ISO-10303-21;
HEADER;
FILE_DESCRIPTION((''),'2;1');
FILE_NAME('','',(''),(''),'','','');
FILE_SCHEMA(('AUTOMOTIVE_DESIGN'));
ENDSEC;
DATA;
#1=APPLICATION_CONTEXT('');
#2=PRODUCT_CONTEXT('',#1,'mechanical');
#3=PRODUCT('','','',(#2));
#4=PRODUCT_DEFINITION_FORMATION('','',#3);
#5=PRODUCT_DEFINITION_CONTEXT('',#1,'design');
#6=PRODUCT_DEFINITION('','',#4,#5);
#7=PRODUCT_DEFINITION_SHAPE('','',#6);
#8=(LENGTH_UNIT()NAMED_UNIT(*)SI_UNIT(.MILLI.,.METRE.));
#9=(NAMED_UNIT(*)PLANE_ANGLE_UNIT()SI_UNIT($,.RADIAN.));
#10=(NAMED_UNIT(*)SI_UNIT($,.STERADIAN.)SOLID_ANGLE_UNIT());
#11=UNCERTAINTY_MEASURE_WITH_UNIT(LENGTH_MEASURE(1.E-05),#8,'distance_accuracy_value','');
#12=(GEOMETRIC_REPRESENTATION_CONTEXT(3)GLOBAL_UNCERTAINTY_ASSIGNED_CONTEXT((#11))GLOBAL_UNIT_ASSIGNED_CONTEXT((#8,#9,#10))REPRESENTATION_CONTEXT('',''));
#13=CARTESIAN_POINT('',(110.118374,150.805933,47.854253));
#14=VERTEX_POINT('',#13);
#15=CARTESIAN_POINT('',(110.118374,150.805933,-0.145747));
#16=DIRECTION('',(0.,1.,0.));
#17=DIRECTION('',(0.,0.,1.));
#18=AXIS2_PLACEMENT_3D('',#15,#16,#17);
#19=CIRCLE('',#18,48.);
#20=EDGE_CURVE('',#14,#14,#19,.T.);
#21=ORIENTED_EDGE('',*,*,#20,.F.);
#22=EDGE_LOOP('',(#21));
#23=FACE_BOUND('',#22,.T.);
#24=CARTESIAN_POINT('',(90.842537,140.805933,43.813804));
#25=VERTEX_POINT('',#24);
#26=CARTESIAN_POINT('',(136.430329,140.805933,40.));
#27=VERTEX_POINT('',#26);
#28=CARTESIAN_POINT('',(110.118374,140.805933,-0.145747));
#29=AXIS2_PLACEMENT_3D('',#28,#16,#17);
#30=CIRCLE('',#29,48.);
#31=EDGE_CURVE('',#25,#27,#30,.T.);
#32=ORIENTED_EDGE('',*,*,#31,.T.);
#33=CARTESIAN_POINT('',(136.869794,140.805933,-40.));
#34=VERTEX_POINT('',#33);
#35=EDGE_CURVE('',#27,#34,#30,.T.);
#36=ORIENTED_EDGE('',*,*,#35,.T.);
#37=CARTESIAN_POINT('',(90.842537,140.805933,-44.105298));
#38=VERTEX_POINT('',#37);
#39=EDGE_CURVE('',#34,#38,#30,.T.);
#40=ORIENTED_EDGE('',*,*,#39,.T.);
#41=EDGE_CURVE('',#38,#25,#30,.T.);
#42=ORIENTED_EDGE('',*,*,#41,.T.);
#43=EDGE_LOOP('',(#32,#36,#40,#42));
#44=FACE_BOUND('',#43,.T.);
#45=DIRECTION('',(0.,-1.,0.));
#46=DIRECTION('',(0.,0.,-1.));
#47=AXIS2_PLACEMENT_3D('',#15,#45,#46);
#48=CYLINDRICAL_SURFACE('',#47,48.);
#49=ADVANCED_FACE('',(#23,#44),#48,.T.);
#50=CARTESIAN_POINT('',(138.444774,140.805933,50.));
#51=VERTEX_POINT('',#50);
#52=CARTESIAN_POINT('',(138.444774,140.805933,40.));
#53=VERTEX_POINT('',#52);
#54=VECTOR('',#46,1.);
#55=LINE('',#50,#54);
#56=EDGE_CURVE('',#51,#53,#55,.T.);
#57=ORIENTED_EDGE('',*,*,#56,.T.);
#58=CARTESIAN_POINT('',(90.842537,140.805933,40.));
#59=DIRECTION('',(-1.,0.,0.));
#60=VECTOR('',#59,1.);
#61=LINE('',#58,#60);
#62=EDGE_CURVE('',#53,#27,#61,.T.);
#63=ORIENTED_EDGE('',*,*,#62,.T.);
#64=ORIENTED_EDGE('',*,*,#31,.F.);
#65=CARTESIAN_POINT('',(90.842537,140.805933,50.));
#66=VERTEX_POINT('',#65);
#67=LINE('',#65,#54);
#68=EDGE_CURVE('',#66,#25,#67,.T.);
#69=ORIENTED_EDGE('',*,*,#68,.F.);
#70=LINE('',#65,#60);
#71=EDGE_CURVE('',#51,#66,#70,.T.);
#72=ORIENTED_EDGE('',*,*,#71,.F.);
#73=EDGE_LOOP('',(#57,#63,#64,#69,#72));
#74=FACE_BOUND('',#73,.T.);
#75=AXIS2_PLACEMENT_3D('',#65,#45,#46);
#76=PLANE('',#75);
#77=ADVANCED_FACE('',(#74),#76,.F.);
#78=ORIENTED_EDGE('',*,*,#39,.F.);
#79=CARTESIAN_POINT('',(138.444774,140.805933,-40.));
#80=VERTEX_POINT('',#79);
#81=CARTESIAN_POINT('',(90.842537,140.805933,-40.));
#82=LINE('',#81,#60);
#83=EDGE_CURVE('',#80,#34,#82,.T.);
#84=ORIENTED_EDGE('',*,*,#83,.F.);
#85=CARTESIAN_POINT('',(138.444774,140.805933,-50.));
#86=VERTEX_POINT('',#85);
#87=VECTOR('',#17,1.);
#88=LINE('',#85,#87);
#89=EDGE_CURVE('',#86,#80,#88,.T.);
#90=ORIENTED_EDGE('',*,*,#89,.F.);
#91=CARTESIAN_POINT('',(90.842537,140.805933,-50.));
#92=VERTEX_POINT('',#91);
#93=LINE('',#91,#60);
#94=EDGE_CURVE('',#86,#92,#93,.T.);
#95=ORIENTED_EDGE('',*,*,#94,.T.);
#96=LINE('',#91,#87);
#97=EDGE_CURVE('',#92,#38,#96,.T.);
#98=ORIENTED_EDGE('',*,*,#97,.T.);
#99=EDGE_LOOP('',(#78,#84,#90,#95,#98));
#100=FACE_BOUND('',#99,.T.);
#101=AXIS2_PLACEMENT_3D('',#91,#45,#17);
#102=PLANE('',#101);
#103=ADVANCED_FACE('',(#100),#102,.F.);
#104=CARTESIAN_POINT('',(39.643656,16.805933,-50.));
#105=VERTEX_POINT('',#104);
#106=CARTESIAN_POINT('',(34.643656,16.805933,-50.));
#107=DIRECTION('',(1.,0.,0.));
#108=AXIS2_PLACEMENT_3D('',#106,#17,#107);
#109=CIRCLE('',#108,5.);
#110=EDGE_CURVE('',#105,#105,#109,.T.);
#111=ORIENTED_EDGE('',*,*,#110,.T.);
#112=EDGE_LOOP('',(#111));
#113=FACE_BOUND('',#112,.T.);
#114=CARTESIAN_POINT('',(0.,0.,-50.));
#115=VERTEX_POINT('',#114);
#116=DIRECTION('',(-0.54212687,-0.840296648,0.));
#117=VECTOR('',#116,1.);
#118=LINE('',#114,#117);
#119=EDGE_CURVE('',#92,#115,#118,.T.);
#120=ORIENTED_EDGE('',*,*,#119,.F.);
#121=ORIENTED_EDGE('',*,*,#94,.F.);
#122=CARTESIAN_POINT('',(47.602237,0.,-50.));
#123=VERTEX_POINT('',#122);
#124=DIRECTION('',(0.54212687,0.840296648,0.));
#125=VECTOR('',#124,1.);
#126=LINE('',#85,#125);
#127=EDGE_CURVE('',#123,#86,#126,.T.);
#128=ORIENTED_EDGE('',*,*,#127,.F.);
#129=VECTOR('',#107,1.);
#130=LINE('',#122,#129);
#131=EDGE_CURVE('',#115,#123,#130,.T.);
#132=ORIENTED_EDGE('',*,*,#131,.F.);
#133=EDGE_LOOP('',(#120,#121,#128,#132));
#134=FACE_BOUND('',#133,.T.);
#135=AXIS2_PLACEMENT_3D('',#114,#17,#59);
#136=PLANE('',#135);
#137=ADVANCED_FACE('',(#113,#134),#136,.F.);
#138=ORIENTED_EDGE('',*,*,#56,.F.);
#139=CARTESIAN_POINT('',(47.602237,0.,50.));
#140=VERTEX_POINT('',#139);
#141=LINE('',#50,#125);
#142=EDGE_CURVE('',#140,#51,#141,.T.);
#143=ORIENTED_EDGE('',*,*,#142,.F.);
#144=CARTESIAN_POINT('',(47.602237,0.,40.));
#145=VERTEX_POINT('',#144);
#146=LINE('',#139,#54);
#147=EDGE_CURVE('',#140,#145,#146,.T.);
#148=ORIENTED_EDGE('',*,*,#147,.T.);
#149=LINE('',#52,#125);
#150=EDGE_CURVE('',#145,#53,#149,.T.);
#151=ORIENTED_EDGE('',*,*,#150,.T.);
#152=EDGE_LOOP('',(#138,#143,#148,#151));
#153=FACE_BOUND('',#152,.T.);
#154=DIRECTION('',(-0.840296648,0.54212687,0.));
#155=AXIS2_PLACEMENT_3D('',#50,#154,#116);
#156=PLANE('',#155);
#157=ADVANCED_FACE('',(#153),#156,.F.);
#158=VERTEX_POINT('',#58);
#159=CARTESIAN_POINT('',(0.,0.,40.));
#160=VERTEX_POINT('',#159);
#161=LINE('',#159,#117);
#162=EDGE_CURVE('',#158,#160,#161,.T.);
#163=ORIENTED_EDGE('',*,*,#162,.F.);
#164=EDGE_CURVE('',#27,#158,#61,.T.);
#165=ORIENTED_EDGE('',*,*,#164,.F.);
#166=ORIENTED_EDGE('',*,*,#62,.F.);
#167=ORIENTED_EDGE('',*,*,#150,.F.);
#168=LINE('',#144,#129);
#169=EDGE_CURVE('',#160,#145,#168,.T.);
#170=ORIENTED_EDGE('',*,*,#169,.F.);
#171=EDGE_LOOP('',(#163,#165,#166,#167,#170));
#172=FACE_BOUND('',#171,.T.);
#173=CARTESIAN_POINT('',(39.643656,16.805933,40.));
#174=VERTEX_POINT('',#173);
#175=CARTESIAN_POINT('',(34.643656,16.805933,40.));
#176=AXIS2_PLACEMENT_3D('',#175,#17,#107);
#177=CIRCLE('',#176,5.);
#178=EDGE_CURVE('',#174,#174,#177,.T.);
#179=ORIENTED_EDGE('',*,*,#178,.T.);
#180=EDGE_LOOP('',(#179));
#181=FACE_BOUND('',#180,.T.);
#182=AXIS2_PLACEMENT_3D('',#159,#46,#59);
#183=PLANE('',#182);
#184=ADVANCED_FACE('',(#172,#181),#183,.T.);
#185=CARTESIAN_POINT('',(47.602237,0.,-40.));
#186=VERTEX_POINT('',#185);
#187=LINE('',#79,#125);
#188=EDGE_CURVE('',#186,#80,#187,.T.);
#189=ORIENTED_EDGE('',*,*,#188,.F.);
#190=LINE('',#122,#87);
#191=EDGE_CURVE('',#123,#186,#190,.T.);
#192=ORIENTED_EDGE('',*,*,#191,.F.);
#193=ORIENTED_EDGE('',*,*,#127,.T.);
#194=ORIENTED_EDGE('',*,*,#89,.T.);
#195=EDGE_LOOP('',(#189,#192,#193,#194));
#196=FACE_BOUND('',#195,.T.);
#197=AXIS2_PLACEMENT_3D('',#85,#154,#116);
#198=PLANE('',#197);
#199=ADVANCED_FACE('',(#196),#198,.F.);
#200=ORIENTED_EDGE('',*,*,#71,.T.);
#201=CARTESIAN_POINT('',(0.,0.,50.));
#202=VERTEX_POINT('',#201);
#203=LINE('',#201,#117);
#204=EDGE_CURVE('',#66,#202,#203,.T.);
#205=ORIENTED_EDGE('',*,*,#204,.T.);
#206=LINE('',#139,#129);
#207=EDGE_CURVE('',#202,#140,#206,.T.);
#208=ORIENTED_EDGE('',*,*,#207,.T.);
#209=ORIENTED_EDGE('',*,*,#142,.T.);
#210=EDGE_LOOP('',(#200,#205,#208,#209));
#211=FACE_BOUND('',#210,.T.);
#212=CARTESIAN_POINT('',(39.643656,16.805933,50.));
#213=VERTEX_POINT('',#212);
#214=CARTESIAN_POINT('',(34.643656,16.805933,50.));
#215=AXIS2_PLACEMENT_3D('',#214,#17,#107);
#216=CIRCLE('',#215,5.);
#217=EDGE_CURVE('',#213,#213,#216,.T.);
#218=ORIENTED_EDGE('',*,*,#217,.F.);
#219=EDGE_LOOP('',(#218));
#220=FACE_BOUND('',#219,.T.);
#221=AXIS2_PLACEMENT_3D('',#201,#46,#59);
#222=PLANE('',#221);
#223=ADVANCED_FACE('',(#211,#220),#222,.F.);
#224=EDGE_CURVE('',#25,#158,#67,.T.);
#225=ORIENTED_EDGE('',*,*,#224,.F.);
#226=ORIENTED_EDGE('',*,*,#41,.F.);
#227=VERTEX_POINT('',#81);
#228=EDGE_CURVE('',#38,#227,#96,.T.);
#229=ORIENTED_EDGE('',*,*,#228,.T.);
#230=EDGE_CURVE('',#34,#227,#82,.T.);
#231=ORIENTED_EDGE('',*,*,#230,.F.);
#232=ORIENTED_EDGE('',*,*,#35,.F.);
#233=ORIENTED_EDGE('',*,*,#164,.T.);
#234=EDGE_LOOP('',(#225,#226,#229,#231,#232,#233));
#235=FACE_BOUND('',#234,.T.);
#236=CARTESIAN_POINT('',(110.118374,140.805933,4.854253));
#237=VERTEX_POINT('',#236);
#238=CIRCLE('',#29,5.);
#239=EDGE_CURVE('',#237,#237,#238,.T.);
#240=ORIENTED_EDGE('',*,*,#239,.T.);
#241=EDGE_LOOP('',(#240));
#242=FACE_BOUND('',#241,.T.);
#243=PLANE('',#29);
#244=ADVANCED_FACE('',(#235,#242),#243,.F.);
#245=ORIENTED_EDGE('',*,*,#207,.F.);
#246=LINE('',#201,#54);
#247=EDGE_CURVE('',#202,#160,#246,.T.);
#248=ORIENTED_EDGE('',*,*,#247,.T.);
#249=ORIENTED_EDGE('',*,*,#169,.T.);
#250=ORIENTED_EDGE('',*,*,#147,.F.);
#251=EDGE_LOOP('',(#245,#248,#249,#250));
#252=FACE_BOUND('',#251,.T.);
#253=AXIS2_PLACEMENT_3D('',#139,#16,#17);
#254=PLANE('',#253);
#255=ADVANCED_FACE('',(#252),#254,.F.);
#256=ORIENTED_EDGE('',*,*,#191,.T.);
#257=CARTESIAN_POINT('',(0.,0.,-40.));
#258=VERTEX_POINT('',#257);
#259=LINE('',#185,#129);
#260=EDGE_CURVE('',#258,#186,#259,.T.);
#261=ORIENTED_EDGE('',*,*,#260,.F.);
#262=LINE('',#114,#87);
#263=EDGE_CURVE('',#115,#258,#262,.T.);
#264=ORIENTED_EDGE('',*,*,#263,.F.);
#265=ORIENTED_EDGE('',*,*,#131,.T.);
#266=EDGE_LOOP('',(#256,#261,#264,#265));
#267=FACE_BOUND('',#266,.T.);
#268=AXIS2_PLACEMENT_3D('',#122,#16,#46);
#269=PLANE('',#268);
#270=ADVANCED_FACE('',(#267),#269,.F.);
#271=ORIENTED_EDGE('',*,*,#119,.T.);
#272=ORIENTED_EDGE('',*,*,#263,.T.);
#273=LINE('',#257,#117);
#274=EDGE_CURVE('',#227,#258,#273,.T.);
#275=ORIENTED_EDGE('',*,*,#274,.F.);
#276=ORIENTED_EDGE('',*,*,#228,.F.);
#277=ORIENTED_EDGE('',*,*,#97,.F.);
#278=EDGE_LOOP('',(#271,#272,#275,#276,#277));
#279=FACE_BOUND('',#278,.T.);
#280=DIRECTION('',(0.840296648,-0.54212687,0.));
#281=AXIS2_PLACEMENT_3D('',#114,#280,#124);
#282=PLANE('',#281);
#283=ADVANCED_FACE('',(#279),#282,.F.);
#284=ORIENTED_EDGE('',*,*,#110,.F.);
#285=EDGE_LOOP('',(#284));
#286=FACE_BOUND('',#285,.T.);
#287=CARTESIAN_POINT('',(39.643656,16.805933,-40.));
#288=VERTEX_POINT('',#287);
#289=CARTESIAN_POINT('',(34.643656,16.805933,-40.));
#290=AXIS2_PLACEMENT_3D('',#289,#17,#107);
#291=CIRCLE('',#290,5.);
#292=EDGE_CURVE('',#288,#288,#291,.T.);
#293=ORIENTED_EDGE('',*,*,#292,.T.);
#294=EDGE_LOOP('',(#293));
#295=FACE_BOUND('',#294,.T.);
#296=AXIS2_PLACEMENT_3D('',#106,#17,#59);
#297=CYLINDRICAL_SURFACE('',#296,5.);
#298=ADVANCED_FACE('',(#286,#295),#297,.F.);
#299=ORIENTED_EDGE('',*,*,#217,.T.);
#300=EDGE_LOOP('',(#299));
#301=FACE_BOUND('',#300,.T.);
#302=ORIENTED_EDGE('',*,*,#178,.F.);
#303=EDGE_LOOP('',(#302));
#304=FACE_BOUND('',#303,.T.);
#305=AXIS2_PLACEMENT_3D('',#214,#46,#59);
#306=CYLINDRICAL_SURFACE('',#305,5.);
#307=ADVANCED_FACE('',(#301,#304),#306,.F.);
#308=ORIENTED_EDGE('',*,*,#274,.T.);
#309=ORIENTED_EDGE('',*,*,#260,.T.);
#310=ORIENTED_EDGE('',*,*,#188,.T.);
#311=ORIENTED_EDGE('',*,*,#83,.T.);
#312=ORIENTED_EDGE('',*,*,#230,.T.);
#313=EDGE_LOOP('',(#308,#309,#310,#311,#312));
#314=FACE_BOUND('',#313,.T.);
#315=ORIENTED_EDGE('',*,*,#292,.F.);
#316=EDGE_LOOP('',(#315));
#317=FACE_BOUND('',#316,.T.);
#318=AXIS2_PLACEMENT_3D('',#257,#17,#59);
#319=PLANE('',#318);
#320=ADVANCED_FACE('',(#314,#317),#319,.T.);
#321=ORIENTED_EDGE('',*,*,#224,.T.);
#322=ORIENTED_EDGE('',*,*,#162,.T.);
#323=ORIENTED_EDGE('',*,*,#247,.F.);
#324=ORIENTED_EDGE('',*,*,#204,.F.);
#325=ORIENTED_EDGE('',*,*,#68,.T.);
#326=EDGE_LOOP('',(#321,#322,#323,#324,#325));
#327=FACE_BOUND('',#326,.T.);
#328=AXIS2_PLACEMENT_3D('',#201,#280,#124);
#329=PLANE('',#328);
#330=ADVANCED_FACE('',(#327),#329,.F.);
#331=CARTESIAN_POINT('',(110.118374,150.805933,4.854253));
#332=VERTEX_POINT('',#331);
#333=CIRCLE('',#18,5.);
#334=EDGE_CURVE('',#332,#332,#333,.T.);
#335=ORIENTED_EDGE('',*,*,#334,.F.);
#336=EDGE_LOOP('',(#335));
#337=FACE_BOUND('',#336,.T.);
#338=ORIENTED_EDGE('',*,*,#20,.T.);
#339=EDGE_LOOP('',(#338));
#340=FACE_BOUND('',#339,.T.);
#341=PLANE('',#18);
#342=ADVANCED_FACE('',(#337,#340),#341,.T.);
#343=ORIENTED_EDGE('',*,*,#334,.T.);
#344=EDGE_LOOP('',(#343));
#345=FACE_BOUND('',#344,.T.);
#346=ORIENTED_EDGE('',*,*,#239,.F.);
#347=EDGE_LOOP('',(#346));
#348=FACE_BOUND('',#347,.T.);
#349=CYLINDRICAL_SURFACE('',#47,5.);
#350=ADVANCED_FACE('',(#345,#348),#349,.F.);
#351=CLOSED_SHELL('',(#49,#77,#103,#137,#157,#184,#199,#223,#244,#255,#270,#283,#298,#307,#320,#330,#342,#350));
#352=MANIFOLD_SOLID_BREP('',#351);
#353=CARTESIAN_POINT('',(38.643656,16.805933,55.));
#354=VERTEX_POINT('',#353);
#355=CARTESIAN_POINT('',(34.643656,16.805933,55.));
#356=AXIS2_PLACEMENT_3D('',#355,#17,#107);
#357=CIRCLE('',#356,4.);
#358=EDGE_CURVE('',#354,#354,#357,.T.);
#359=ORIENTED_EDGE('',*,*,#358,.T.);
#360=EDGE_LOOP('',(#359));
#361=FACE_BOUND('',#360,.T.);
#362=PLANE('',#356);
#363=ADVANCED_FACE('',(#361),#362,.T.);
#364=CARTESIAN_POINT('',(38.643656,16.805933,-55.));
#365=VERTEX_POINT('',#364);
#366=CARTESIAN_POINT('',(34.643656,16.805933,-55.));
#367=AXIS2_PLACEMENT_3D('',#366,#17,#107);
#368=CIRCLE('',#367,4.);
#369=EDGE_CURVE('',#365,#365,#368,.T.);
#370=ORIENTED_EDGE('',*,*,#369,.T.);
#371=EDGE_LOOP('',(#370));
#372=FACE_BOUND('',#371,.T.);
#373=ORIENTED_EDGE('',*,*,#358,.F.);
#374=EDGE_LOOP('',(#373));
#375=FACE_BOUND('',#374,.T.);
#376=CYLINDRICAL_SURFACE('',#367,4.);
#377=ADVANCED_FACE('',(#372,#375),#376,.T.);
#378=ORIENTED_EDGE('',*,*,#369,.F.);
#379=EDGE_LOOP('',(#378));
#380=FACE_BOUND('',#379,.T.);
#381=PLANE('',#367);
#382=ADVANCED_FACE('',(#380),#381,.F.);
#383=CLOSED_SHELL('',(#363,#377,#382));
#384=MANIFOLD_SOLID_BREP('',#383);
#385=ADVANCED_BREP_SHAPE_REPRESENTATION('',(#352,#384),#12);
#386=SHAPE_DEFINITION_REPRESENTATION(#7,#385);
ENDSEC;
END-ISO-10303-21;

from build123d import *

# Parameters (mm, degrees)
BOSS_EXTRUDE1_START      = 40
SKETCH1_R                = 5
BOSS_EXTRUDE1_DEPTH      = 10
SKETCH2_R                = 48
SKETCH2_R_2              = 5
BOSS_EXTRUDE2_DEPTH      = 10
BOSS_EXTRUDE3_DEPTH      = 5
BOSS_EXTRUDE3_DEPTH_BACK = 105
SKETCH3_R                = 4


with BuildPart() as part:
    # Sketch1 → Boss-Extrude1 (new body)
    with BuildSketch(Plane.XY.offset(BOSS_EXTRUDE1_START)):
        Polygon((0, 0), (90.842537396, 140.805932964), (138.44477416, 140.805932964), (47.602236763, 0), align=None)
        with Locations((34.643655778, 16.805932964)):
            Circle(SKETCH1_R, mode=Mode.SUBTRACT)
    extrude(amount=BOSS_EXTRUDE1_DEPTH)


with BuildPart() as body_2:
    # Mirror2: mirrored copy
    add(part.part.mirror(Plane.XY))


with BuildPart() as part_1:
    add(part.part)

    add(body_2.part)  # Boss-Extrude2 merges body 2
    # Sketch2 → Boss-Extrude2 (add)
    with BuildSketch(Plane(origin=(0, 140.805932964, 0), x_dir=(1, 0, 0), z_dir=(0, 1, 0))):
        with Locations(Location((110.118373537, 0.145746877, 0), (0, 0, 113.6769841))):
            Circle(SKETCH2_R)
        with Locations(Location((110.118373537, 0.145746877, 0), (0, 0, 270))):
            Circle(SKETCH2_R_2, mode=Mode.SUBTRACT)
    extrude(amount=BOSS_EXTRUDE2_DEPTH)


with BuildPart() as body_2_2:
    # Sketch3 → Boss-Extrude3 (new, two sides: drawn at the far end of the back side and taken through both)
    with BuildSketch(Plane.XY.offset(50).offset(-BOSS_EXTRUDE3_DEPTH_BACK)):
        with Locations((34.643655778, 16.805932964)):
            Circle(SKETCH3_R)
    extrude(amount=BOSS_EXTRUDE3_DEPTH + BOSS_EXTRUDE3_DEPTH_BACK)


solid = Compound([part_1.part, body_2_2.part])
